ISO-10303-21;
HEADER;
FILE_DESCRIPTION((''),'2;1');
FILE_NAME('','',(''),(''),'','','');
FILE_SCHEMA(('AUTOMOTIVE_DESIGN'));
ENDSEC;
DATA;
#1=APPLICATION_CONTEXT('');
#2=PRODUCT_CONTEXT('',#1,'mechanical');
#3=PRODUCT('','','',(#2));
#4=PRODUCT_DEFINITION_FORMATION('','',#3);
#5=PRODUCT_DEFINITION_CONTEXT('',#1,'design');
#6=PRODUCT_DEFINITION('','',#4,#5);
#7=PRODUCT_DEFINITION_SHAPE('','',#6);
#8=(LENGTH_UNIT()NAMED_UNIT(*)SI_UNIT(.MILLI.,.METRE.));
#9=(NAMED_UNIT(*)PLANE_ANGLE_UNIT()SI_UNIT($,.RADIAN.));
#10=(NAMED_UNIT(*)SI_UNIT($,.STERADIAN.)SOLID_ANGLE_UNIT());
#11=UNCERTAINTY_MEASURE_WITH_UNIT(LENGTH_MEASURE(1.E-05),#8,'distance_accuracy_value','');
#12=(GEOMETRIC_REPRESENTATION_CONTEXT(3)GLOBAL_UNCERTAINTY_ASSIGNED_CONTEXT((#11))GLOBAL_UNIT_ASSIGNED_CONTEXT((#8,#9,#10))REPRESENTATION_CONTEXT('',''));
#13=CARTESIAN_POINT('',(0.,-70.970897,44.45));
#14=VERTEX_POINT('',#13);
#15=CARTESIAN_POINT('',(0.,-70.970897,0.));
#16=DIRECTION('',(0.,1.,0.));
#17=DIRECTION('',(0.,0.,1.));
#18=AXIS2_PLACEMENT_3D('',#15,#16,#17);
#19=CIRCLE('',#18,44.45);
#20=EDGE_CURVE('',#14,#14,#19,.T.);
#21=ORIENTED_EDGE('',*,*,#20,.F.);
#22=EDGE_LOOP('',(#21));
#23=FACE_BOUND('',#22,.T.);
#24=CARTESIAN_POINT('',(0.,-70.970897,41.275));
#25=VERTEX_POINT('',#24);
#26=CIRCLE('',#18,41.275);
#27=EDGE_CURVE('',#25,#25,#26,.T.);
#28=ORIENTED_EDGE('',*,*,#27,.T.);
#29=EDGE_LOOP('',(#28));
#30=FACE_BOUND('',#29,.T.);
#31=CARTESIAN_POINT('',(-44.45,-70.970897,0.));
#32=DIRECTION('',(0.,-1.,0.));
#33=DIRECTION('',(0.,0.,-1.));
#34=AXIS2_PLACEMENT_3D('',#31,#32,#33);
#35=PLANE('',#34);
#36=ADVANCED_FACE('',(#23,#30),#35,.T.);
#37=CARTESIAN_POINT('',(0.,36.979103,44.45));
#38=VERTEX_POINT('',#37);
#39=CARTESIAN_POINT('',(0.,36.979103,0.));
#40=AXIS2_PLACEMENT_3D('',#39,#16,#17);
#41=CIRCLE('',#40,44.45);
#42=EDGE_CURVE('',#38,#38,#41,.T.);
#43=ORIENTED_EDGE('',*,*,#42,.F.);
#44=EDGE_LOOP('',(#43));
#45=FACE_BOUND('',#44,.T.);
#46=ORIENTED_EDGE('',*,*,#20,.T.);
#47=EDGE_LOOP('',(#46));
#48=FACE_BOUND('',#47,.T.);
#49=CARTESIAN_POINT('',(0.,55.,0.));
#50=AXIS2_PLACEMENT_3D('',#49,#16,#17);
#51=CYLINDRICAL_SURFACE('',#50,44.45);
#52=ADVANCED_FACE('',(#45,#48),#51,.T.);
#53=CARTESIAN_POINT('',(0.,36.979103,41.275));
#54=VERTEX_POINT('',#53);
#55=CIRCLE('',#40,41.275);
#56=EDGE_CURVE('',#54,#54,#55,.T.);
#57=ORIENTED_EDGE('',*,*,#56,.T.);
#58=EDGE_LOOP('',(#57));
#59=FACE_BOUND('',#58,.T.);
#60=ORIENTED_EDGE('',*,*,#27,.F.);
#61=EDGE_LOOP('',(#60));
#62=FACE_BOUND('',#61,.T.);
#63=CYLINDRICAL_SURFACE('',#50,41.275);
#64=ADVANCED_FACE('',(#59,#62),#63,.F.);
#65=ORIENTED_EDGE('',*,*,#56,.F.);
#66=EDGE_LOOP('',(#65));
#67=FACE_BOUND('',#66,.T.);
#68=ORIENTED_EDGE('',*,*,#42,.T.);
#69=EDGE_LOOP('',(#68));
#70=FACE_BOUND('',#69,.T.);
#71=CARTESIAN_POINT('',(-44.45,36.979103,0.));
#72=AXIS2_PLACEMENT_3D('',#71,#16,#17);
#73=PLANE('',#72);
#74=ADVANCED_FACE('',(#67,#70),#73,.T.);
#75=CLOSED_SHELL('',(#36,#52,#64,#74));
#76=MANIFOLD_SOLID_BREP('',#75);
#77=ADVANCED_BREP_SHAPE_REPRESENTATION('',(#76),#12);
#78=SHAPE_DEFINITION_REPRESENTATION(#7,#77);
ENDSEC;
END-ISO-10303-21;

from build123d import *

# Parameters (mm, degrees)
SKETCH1_W = 3.175
SKETCH1_H = 107.95


with BuildPart() as part:
    # Sketch1 → Revolve1 (revolve)
    with BuildSketch(Plane.XY):
        with Locations((-42.8625, -16.995896605)):
            Rectangle(SKETCH1_W, SKETCH1_H)
    revolve(axis=Axis((0, 55, 0), (0, -1, 0)))


solid = part.part
